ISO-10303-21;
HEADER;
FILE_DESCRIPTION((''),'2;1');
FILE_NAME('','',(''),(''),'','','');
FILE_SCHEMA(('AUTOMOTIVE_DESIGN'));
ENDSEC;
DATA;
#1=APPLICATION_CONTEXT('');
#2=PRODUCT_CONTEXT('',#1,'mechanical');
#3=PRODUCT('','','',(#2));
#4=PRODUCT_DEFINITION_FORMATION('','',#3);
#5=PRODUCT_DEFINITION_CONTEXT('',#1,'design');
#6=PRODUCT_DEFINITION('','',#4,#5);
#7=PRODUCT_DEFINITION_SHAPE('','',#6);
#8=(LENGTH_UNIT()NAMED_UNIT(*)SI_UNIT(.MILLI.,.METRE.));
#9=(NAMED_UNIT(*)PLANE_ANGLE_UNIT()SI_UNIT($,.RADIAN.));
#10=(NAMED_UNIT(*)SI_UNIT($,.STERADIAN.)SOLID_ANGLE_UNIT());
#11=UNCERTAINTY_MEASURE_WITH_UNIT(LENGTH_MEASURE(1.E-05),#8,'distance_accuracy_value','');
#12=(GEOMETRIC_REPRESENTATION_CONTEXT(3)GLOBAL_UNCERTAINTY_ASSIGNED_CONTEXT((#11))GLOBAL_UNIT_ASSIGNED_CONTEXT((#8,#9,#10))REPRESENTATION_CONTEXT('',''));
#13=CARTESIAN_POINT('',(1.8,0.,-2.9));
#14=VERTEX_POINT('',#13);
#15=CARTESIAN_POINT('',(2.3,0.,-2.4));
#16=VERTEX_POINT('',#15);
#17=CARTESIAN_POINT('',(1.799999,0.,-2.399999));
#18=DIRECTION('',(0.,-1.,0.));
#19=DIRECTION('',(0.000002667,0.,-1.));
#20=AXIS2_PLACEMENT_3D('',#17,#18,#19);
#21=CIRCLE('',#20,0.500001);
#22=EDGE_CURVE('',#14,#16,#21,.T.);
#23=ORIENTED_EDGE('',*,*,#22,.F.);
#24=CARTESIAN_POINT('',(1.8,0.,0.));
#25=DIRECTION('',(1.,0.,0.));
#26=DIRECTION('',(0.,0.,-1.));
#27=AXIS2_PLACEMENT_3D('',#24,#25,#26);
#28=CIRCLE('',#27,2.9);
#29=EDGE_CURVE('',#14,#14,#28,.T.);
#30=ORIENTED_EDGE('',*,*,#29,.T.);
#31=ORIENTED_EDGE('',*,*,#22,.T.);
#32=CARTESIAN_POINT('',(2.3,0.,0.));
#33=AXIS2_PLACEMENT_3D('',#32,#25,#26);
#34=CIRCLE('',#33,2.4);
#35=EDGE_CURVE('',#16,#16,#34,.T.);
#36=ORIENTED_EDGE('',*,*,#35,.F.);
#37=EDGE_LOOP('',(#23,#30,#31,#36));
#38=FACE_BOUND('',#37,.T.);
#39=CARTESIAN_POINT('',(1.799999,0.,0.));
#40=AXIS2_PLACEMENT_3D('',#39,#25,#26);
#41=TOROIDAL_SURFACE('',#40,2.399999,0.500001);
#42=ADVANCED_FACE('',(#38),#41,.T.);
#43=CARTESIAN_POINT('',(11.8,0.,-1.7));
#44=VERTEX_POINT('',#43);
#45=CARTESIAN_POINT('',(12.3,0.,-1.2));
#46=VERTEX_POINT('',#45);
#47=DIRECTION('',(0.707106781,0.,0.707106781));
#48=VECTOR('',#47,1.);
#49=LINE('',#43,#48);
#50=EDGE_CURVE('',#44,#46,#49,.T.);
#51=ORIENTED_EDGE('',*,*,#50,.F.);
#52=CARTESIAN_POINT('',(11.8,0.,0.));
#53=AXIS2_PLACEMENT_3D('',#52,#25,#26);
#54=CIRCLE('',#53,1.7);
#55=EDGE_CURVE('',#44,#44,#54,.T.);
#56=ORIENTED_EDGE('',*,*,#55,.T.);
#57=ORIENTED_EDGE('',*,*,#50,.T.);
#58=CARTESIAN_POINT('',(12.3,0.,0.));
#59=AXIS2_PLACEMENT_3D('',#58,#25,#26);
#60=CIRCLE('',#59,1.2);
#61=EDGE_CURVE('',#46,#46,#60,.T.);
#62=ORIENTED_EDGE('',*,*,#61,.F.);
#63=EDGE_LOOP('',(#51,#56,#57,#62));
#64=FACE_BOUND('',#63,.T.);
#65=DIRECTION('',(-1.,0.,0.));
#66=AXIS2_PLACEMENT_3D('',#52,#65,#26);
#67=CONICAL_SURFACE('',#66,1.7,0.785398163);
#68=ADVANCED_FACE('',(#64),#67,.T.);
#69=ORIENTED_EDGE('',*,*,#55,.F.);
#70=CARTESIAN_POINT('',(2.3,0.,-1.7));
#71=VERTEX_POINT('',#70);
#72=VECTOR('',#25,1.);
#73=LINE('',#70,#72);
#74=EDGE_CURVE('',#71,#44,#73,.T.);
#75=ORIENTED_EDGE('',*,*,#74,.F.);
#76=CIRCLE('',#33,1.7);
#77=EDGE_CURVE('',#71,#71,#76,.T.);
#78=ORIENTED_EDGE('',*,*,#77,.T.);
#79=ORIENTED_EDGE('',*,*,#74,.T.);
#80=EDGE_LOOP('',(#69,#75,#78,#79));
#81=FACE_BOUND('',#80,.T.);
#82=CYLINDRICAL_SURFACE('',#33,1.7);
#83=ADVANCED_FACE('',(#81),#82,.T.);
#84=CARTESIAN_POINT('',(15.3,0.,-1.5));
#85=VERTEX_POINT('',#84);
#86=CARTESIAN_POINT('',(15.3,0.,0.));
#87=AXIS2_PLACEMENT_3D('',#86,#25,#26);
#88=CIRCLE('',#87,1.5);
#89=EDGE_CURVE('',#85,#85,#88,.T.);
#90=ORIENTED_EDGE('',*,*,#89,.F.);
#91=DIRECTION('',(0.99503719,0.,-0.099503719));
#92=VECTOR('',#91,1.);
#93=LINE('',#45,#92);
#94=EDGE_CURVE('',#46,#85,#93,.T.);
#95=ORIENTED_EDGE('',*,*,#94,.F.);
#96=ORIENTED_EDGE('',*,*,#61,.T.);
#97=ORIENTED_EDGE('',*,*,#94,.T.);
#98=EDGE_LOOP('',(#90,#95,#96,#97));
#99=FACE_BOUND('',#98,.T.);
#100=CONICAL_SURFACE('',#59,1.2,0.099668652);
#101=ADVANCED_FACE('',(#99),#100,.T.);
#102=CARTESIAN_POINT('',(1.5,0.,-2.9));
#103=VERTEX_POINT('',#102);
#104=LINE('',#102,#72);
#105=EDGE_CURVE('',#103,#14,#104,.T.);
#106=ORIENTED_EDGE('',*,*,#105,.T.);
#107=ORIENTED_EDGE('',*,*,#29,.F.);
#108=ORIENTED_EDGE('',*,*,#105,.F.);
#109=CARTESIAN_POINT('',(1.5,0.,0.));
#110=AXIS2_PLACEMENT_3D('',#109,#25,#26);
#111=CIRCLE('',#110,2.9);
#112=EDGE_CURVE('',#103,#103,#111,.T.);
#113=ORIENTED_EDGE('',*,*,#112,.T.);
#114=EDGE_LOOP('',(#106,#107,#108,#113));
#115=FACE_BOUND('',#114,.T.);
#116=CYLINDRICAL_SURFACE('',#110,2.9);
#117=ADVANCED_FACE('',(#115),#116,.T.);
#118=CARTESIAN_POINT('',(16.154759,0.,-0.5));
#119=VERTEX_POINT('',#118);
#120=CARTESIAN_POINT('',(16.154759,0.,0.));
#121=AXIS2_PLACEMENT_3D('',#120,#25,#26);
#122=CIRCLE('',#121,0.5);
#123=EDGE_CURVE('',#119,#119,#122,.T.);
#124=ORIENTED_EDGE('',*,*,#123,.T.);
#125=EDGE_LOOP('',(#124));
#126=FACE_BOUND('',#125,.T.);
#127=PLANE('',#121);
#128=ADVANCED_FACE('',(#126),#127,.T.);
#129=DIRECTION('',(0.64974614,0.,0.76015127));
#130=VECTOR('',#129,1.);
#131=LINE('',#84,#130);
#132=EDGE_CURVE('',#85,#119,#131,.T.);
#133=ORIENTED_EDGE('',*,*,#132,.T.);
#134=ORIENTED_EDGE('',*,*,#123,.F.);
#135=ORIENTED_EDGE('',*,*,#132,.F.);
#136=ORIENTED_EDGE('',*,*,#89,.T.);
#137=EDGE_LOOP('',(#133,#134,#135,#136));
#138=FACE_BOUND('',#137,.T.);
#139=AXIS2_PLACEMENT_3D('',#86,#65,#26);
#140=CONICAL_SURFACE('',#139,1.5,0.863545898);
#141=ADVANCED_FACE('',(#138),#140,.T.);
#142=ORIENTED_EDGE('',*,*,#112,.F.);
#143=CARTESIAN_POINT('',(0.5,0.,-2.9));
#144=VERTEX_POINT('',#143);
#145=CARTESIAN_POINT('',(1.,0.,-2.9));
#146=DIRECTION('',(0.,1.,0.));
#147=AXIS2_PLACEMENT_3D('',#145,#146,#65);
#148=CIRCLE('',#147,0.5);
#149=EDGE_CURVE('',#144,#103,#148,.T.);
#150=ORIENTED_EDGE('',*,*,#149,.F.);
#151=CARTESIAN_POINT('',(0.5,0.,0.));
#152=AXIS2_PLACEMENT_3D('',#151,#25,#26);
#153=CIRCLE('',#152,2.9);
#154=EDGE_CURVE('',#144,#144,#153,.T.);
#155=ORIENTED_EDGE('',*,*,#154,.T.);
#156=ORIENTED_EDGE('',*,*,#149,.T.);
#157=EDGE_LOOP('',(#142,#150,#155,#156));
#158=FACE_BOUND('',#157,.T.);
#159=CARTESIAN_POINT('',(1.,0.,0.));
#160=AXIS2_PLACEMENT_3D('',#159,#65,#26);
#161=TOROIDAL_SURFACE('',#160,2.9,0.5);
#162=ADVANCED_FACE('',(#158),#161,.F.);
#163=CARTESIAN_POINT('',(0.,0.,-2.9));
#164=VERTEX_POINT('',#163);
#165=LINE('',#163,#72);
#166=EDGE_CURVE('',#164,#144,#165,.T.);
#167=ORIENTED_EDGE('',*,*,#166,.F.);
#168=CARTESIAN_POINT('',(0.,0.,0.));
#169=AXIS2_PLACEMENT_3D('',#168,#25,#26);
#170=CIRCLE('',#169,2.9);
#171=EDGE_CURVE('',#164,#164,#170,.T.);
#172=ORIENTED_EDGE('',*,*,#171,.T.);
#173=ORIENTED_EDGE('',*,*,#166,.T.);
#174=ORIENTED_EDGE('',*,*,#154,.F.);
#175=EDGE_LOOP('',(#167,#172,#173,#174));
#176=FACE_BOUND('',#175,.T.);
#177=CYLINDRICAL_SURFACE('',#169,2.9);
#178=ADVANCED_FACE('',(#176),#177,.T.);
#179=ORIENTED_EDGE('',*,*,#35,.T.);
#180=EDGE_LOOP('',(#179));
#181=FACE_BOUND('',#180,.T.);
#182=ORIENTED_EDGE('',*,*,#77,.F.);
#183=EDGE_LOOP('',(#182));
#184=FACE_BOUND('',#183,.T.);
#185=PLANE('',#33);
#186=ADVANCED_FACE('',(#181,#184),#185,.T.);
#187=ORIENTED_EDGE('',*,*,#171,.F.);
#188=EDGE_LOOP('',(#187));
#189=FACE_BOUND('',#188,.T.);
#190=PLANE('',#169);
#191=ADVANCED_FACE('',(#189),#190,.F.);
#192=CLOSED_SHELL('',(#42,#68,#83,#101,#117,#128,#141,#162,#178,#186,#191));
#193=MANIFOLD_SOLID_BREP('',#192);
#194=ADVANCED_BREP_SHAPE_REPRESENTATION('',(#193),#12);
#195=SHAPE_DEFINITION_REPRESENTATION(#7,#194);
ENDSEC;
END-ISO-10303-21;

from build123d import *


with BuildPart() as f1:
    # F0 (on Front) → F1 (revolve)
    with BuildSketch(Plane.XZ):
        with BuildLine():
            Line((16.154759, 0), (0, 0))
            Line((0, 0), (0, -2.9))
            Line((0, -2.9), (0.5, -2.9))
            ThreePointArc((0.5, -2.9), (1, -2.4), (1.5, -2.9))
            Line((1.5, -2.9), (1.8, -2.9))
            ThreePointArc((1.8, -2.9), (2.153553, -2.753553), (2.3, -2.4))
            Line((2.3, -2.4), (2.3, -1.7))
            Line((2.3, -1.7), (11.8, -1.7))
            Line((11.8, -1.7), (12.3, -1.2))
            Line((12.3, -1.2), (15.3, -1.5))
            Line((15.3, -1.5), (16.154759, -0.5))
            Line((16.154759, -0.5), (16.154759, 0))
        make_face()
    revolve(axis=Axis((10.82507, 0, 0), (1, 0, 0)))


solid = f1.part
